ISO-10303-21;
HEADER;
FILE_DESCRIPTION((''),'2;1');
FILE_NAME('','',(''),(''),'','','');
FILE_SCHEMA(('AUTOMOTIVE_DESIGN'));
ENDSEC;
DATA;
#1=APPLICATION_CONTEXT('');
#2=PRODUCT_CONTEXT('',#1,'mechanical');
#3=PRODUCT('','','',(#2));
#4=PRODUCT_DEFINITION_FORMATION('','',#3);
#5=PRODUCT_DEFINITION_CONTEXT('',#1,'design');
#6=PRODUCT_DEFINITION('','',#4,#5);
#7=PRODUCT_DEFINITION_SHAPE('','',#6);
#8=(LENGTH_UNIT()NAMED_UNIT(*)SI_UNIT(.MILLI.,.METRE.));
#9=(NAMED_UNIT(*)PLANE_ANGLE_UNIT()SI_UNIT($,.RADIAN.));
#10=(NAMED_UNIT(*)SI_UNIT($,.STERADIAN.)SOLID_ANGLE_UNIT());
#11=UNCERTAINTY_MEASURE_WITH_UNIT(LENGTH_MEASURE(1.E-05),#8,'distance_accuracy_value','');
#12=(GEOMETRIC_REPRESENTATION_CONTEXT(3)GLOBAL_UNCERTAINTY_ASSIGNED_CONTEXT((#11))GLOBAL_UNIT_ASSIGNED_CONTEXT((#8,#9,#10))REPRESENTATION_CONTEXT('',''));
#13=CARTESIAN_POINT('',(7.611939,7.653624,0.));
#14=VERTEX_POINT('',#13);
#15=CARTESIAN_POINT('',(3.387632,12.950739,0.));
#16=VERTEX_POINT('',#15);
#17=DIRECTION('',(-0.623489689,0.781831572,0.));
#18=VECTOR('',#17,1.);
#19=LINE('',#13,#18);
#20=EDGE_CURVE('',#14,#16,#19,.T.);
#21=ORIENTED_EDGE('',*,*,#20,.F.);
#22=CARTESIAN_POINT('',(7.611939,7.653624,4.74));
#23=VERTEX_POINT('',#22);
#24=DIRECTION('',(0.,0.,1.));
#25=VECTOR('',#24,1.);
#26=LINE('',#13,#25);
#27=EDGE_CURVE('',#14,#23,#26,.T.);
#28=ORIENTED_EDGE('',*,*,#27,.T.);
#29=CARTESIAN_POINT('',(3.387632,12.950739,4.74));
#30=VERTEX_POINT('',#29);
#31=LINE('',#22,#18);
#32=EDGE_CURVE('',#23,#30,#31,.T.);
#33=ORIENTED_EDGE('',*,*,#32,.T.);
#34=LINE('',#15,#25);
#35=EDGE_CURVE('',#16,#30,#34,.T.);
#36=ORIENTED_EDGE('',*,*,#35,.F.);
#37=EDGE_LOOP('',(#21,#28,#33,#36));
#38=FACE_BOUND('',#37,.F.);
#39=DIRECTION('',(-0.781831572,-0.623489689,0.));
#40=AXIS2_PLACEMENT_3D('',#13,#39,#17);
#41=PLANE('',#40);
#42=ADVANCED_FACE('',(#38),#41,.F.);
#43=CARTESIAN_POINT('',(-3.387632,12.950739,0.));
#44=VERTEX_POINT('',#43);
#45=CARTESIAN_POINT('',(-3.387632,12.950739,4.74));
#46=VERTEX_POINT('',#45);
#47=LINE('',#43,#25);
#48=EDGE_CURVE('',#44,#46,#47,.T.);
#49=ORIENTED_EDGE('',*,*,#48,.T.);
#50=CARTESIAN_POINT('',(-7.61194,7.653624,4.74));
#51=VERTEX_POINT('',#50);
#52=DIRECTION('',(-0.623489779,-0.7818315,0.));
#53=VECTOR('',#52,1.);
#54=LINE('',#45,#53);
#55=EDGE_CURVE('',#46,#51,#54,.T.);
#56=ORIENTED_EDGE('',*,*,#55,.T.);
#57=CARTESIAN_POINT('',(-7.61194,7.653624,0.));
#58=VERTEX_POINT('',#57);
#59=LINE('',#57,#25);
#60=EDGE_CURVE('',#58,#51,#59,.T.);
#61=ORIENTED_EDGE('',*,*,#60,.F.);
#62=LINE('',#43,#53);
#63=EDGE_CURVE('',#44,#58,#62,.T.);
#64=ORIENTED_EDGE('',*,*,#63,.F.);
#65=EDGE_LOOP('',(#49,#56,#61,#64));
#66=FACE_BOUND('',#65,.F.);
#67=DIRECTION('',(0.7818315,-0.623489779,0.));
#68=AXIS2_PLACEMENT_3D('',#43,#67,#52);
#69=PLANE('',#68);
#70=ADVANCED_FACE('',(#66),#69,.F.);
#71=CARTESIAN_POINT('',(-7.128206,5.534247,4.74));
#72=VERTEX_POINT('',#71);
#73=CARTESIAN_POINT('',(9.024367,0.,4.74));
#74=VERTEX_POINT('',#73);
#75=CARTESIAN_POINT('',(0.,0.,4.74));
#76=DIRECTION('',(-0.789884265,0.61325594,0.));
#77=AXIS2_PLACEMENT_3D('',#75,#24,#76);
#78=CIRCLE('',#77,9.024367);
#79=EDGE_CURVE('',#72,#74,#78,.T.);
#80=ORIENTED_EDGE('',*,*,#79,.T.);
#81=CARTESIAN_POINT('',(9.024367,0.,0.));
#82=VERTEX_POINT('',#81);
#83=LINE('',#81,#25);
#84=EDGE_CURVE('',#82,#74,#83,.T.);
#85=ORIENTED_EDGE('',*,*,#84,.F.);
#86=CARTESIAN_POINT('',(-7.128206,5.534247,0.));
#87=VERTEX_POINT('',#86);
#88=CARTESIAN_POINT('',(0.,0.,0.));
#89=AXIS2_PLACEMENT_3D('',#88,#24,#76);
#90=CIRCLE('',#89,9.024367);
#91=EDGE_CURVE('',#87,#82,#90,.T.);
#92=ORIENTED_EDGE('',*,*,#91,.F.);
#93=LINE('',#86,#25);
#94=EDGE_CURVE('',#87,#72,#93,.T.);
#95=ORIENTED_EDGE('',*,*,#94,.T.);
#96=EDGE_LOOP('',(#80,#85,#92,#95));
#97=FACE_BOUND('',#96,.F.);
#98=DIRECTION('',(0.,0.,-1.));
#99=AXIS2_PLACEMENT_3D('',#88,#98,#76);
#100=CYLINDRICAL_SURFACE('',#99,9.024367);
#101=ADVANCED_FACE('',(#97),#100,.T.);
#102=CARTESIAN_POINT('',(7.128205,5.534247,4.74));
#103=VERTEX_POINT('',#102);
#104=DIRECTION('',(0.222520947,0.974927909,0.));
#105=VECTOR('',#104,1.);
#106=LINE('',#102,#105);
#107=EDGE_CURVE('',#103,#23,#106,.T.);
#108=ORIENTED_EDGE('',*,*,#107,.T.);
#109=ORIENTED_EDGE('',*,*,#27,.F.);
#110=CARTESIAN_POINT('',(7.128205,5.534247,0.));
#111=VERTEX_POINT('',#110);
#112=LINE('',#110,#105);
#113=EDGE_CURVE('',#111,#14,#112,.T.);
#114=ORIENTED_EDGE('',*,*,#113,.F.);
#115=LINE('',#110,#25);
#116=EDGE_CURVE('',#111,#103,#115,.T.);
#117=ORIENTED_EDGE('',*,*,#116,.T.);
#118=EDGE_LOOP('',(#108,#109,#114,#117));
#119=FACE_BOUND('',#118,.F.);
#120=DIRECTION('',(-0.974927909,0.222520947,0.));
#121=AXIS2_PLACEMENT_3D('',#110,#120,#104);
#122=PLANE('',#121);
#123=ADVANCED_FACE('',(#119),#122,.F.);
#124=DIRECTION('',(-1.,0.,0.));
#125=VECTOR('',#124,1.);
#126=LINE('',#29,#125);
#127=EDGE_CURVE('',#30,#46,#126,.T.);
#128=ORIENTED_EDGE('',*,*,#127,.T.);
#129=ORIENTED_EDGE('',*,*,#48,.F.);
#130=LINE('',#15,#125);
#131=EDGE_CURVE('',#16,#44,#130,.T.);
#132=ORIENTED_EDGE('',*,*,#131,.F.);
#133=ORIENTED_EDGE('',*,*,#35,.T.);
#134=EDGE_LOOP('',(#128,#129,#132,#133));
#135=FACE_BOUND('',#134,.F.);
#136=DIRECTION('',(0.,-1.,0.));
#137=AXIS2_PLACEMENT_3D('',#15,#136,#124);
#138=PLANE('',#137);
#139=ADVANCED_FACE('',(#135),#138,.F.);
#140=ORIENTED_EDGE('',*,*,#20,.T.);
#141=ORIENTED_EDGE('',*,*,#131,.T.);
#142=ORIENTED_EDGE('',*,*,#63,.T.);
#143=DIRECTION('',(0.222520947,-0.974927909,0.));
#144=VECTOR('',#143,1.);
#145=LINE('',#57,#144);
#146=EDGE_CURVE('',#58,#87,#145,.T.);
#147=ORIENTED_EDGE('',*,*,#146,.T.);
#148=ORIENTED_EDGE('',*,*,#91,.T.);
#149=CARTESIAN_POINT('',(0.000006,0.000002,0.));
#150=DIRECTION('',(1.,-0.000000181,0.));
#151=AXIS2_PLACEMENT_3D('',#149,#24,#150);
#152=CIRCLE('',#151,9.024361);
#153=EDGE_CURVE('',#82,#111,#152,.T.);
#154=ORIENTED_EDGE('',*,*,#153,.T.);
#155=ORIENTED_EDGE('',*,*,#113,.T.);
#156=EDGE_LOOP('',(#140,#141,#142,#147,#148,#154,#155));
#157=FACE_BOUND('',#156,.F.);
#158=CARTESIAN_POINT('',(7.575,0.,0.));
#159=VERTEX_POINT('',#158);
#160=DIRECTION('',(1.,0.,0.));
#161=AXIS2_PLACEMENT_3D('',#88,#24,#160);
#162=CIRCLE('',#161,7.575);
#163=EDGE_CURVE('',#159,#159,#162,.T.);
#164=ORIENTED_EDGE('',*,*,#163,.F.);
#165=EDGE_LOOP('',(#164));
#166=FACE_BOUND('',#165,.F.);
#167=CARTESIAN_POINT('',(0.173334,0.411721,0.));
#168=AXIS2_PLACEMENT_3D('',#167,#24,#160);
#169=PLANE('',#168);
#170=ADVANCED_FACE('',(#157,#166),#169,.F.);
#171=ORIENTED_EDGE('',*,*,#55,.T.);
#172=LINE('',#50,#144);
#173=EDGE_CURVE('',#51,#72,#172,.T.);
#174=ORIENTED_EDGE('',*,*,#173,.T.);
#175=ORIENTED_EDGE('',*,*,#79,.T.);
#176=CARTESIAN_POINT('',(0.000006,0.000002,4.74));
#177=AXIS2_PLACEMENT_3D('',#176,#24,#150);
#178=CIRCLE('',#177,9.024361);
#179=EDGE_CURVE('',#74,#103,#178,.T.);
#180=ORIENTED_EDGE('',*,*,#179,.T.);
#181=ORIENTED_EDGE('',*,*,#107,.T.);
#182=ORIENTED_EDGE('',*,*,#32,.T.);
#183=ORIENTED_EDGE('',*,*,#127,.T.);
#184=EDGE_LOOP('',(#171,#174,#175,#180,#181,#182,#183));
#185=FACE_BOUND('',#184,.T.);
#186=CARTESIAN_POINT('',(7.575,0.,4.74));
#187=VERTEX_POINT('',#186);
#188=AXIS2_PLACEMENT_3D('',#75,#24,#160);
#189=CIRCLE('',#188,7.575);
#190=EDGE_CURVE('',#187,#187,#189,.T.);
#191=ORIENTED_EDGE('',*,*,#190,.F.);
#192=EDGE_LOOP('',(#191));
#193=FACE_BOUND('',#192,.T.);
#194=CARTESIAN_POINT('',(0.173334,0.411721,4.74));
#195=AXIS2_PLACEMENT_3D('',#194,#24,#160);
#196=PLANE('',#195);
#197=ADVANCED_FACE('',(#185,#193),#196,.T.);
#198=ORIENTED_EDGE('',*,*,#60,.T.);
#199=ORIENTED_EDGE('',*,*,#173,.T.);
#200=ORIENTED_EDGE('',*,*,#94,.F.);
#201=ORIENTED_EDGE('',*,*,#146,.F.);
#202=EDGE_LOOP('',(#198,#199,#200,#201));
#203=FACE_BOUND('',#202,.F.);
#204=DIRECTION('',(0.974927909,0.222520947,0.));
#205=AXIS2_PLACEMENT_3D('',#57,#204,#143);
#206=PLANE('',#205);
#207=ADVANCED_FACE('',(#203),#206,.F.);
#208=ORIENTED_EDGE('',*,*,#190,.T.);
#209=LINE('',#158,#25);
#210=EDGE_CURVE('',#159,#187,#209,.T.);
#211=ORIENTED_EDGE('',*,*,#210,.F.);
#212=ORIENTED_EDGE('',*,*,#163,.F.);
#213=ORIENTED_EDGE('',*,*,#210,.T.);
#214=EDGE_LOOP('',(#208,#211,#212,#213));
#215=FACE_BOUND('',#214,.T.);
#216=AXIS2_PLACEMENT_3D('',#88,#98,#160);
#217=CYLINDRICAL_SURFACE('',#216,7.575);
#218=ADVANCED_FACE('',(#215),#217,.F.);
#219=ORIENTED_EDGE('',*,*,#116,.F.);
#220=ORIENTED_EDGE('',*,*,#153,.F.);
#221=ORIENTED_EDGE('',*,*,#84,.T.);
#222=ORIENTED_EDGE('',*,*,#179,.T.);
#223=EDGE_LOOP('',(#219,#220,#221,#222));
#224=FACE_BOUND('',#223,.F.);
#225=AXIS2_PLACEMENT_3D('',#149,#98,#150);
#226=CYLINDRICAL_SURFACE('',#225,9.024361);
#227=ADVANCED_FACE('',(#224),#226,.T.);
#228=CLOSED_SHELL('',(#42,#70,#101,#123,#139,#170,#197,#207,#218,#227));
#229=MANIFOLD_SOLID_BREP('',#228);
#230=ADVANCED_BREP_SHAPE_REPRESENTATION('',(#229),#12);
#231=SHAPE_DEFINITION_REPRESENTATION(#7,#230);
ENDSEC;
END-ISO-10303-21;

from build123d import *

# Parameters (mm, degrees)
F0_R     = 7.575
F1_DEPTH = 4.74


with BuildPart() as f1:
    # F0 (on Top) → F1 (new body)
    with BuildSketch(Plane.XY):
        with BuildLine():
            ThreePointArc((-7.128206, 5.534247), (-2.925035, -8.537176), (9.024367, 0))
            ThreePointArc((9.024367, 0), (8.537176, 2.925035), (7.128205, 5.534247))
            ThreePointArc((7.128205, 5.534247), (0, 9.024367), (-7.128206, 5.534247))
        make_face()
        Circle(F0_R, mode=Mode.SUBTRACT)
        with BuildLine():
            ThreePointArc((-7.128206, 5.534247), (0, 9.024367), (7.128205, 5.534247))
            Line((7.128205, 5.534247), (7.611939, 7.653624))
            Line((7.611939, 7.653624), (3.387632, 12.950739))
            Line((3.387632, 12.950739), (-3.387632, 12.950739))
            Line((-3.387632, 12.950739), (-7.61194, 7.653624))
            Line((-7.61194, 7.653624), (-7.128206, 5.534247))
        make_face()
    extrude(amount=F1_DEPTH)


solid = f1.part
